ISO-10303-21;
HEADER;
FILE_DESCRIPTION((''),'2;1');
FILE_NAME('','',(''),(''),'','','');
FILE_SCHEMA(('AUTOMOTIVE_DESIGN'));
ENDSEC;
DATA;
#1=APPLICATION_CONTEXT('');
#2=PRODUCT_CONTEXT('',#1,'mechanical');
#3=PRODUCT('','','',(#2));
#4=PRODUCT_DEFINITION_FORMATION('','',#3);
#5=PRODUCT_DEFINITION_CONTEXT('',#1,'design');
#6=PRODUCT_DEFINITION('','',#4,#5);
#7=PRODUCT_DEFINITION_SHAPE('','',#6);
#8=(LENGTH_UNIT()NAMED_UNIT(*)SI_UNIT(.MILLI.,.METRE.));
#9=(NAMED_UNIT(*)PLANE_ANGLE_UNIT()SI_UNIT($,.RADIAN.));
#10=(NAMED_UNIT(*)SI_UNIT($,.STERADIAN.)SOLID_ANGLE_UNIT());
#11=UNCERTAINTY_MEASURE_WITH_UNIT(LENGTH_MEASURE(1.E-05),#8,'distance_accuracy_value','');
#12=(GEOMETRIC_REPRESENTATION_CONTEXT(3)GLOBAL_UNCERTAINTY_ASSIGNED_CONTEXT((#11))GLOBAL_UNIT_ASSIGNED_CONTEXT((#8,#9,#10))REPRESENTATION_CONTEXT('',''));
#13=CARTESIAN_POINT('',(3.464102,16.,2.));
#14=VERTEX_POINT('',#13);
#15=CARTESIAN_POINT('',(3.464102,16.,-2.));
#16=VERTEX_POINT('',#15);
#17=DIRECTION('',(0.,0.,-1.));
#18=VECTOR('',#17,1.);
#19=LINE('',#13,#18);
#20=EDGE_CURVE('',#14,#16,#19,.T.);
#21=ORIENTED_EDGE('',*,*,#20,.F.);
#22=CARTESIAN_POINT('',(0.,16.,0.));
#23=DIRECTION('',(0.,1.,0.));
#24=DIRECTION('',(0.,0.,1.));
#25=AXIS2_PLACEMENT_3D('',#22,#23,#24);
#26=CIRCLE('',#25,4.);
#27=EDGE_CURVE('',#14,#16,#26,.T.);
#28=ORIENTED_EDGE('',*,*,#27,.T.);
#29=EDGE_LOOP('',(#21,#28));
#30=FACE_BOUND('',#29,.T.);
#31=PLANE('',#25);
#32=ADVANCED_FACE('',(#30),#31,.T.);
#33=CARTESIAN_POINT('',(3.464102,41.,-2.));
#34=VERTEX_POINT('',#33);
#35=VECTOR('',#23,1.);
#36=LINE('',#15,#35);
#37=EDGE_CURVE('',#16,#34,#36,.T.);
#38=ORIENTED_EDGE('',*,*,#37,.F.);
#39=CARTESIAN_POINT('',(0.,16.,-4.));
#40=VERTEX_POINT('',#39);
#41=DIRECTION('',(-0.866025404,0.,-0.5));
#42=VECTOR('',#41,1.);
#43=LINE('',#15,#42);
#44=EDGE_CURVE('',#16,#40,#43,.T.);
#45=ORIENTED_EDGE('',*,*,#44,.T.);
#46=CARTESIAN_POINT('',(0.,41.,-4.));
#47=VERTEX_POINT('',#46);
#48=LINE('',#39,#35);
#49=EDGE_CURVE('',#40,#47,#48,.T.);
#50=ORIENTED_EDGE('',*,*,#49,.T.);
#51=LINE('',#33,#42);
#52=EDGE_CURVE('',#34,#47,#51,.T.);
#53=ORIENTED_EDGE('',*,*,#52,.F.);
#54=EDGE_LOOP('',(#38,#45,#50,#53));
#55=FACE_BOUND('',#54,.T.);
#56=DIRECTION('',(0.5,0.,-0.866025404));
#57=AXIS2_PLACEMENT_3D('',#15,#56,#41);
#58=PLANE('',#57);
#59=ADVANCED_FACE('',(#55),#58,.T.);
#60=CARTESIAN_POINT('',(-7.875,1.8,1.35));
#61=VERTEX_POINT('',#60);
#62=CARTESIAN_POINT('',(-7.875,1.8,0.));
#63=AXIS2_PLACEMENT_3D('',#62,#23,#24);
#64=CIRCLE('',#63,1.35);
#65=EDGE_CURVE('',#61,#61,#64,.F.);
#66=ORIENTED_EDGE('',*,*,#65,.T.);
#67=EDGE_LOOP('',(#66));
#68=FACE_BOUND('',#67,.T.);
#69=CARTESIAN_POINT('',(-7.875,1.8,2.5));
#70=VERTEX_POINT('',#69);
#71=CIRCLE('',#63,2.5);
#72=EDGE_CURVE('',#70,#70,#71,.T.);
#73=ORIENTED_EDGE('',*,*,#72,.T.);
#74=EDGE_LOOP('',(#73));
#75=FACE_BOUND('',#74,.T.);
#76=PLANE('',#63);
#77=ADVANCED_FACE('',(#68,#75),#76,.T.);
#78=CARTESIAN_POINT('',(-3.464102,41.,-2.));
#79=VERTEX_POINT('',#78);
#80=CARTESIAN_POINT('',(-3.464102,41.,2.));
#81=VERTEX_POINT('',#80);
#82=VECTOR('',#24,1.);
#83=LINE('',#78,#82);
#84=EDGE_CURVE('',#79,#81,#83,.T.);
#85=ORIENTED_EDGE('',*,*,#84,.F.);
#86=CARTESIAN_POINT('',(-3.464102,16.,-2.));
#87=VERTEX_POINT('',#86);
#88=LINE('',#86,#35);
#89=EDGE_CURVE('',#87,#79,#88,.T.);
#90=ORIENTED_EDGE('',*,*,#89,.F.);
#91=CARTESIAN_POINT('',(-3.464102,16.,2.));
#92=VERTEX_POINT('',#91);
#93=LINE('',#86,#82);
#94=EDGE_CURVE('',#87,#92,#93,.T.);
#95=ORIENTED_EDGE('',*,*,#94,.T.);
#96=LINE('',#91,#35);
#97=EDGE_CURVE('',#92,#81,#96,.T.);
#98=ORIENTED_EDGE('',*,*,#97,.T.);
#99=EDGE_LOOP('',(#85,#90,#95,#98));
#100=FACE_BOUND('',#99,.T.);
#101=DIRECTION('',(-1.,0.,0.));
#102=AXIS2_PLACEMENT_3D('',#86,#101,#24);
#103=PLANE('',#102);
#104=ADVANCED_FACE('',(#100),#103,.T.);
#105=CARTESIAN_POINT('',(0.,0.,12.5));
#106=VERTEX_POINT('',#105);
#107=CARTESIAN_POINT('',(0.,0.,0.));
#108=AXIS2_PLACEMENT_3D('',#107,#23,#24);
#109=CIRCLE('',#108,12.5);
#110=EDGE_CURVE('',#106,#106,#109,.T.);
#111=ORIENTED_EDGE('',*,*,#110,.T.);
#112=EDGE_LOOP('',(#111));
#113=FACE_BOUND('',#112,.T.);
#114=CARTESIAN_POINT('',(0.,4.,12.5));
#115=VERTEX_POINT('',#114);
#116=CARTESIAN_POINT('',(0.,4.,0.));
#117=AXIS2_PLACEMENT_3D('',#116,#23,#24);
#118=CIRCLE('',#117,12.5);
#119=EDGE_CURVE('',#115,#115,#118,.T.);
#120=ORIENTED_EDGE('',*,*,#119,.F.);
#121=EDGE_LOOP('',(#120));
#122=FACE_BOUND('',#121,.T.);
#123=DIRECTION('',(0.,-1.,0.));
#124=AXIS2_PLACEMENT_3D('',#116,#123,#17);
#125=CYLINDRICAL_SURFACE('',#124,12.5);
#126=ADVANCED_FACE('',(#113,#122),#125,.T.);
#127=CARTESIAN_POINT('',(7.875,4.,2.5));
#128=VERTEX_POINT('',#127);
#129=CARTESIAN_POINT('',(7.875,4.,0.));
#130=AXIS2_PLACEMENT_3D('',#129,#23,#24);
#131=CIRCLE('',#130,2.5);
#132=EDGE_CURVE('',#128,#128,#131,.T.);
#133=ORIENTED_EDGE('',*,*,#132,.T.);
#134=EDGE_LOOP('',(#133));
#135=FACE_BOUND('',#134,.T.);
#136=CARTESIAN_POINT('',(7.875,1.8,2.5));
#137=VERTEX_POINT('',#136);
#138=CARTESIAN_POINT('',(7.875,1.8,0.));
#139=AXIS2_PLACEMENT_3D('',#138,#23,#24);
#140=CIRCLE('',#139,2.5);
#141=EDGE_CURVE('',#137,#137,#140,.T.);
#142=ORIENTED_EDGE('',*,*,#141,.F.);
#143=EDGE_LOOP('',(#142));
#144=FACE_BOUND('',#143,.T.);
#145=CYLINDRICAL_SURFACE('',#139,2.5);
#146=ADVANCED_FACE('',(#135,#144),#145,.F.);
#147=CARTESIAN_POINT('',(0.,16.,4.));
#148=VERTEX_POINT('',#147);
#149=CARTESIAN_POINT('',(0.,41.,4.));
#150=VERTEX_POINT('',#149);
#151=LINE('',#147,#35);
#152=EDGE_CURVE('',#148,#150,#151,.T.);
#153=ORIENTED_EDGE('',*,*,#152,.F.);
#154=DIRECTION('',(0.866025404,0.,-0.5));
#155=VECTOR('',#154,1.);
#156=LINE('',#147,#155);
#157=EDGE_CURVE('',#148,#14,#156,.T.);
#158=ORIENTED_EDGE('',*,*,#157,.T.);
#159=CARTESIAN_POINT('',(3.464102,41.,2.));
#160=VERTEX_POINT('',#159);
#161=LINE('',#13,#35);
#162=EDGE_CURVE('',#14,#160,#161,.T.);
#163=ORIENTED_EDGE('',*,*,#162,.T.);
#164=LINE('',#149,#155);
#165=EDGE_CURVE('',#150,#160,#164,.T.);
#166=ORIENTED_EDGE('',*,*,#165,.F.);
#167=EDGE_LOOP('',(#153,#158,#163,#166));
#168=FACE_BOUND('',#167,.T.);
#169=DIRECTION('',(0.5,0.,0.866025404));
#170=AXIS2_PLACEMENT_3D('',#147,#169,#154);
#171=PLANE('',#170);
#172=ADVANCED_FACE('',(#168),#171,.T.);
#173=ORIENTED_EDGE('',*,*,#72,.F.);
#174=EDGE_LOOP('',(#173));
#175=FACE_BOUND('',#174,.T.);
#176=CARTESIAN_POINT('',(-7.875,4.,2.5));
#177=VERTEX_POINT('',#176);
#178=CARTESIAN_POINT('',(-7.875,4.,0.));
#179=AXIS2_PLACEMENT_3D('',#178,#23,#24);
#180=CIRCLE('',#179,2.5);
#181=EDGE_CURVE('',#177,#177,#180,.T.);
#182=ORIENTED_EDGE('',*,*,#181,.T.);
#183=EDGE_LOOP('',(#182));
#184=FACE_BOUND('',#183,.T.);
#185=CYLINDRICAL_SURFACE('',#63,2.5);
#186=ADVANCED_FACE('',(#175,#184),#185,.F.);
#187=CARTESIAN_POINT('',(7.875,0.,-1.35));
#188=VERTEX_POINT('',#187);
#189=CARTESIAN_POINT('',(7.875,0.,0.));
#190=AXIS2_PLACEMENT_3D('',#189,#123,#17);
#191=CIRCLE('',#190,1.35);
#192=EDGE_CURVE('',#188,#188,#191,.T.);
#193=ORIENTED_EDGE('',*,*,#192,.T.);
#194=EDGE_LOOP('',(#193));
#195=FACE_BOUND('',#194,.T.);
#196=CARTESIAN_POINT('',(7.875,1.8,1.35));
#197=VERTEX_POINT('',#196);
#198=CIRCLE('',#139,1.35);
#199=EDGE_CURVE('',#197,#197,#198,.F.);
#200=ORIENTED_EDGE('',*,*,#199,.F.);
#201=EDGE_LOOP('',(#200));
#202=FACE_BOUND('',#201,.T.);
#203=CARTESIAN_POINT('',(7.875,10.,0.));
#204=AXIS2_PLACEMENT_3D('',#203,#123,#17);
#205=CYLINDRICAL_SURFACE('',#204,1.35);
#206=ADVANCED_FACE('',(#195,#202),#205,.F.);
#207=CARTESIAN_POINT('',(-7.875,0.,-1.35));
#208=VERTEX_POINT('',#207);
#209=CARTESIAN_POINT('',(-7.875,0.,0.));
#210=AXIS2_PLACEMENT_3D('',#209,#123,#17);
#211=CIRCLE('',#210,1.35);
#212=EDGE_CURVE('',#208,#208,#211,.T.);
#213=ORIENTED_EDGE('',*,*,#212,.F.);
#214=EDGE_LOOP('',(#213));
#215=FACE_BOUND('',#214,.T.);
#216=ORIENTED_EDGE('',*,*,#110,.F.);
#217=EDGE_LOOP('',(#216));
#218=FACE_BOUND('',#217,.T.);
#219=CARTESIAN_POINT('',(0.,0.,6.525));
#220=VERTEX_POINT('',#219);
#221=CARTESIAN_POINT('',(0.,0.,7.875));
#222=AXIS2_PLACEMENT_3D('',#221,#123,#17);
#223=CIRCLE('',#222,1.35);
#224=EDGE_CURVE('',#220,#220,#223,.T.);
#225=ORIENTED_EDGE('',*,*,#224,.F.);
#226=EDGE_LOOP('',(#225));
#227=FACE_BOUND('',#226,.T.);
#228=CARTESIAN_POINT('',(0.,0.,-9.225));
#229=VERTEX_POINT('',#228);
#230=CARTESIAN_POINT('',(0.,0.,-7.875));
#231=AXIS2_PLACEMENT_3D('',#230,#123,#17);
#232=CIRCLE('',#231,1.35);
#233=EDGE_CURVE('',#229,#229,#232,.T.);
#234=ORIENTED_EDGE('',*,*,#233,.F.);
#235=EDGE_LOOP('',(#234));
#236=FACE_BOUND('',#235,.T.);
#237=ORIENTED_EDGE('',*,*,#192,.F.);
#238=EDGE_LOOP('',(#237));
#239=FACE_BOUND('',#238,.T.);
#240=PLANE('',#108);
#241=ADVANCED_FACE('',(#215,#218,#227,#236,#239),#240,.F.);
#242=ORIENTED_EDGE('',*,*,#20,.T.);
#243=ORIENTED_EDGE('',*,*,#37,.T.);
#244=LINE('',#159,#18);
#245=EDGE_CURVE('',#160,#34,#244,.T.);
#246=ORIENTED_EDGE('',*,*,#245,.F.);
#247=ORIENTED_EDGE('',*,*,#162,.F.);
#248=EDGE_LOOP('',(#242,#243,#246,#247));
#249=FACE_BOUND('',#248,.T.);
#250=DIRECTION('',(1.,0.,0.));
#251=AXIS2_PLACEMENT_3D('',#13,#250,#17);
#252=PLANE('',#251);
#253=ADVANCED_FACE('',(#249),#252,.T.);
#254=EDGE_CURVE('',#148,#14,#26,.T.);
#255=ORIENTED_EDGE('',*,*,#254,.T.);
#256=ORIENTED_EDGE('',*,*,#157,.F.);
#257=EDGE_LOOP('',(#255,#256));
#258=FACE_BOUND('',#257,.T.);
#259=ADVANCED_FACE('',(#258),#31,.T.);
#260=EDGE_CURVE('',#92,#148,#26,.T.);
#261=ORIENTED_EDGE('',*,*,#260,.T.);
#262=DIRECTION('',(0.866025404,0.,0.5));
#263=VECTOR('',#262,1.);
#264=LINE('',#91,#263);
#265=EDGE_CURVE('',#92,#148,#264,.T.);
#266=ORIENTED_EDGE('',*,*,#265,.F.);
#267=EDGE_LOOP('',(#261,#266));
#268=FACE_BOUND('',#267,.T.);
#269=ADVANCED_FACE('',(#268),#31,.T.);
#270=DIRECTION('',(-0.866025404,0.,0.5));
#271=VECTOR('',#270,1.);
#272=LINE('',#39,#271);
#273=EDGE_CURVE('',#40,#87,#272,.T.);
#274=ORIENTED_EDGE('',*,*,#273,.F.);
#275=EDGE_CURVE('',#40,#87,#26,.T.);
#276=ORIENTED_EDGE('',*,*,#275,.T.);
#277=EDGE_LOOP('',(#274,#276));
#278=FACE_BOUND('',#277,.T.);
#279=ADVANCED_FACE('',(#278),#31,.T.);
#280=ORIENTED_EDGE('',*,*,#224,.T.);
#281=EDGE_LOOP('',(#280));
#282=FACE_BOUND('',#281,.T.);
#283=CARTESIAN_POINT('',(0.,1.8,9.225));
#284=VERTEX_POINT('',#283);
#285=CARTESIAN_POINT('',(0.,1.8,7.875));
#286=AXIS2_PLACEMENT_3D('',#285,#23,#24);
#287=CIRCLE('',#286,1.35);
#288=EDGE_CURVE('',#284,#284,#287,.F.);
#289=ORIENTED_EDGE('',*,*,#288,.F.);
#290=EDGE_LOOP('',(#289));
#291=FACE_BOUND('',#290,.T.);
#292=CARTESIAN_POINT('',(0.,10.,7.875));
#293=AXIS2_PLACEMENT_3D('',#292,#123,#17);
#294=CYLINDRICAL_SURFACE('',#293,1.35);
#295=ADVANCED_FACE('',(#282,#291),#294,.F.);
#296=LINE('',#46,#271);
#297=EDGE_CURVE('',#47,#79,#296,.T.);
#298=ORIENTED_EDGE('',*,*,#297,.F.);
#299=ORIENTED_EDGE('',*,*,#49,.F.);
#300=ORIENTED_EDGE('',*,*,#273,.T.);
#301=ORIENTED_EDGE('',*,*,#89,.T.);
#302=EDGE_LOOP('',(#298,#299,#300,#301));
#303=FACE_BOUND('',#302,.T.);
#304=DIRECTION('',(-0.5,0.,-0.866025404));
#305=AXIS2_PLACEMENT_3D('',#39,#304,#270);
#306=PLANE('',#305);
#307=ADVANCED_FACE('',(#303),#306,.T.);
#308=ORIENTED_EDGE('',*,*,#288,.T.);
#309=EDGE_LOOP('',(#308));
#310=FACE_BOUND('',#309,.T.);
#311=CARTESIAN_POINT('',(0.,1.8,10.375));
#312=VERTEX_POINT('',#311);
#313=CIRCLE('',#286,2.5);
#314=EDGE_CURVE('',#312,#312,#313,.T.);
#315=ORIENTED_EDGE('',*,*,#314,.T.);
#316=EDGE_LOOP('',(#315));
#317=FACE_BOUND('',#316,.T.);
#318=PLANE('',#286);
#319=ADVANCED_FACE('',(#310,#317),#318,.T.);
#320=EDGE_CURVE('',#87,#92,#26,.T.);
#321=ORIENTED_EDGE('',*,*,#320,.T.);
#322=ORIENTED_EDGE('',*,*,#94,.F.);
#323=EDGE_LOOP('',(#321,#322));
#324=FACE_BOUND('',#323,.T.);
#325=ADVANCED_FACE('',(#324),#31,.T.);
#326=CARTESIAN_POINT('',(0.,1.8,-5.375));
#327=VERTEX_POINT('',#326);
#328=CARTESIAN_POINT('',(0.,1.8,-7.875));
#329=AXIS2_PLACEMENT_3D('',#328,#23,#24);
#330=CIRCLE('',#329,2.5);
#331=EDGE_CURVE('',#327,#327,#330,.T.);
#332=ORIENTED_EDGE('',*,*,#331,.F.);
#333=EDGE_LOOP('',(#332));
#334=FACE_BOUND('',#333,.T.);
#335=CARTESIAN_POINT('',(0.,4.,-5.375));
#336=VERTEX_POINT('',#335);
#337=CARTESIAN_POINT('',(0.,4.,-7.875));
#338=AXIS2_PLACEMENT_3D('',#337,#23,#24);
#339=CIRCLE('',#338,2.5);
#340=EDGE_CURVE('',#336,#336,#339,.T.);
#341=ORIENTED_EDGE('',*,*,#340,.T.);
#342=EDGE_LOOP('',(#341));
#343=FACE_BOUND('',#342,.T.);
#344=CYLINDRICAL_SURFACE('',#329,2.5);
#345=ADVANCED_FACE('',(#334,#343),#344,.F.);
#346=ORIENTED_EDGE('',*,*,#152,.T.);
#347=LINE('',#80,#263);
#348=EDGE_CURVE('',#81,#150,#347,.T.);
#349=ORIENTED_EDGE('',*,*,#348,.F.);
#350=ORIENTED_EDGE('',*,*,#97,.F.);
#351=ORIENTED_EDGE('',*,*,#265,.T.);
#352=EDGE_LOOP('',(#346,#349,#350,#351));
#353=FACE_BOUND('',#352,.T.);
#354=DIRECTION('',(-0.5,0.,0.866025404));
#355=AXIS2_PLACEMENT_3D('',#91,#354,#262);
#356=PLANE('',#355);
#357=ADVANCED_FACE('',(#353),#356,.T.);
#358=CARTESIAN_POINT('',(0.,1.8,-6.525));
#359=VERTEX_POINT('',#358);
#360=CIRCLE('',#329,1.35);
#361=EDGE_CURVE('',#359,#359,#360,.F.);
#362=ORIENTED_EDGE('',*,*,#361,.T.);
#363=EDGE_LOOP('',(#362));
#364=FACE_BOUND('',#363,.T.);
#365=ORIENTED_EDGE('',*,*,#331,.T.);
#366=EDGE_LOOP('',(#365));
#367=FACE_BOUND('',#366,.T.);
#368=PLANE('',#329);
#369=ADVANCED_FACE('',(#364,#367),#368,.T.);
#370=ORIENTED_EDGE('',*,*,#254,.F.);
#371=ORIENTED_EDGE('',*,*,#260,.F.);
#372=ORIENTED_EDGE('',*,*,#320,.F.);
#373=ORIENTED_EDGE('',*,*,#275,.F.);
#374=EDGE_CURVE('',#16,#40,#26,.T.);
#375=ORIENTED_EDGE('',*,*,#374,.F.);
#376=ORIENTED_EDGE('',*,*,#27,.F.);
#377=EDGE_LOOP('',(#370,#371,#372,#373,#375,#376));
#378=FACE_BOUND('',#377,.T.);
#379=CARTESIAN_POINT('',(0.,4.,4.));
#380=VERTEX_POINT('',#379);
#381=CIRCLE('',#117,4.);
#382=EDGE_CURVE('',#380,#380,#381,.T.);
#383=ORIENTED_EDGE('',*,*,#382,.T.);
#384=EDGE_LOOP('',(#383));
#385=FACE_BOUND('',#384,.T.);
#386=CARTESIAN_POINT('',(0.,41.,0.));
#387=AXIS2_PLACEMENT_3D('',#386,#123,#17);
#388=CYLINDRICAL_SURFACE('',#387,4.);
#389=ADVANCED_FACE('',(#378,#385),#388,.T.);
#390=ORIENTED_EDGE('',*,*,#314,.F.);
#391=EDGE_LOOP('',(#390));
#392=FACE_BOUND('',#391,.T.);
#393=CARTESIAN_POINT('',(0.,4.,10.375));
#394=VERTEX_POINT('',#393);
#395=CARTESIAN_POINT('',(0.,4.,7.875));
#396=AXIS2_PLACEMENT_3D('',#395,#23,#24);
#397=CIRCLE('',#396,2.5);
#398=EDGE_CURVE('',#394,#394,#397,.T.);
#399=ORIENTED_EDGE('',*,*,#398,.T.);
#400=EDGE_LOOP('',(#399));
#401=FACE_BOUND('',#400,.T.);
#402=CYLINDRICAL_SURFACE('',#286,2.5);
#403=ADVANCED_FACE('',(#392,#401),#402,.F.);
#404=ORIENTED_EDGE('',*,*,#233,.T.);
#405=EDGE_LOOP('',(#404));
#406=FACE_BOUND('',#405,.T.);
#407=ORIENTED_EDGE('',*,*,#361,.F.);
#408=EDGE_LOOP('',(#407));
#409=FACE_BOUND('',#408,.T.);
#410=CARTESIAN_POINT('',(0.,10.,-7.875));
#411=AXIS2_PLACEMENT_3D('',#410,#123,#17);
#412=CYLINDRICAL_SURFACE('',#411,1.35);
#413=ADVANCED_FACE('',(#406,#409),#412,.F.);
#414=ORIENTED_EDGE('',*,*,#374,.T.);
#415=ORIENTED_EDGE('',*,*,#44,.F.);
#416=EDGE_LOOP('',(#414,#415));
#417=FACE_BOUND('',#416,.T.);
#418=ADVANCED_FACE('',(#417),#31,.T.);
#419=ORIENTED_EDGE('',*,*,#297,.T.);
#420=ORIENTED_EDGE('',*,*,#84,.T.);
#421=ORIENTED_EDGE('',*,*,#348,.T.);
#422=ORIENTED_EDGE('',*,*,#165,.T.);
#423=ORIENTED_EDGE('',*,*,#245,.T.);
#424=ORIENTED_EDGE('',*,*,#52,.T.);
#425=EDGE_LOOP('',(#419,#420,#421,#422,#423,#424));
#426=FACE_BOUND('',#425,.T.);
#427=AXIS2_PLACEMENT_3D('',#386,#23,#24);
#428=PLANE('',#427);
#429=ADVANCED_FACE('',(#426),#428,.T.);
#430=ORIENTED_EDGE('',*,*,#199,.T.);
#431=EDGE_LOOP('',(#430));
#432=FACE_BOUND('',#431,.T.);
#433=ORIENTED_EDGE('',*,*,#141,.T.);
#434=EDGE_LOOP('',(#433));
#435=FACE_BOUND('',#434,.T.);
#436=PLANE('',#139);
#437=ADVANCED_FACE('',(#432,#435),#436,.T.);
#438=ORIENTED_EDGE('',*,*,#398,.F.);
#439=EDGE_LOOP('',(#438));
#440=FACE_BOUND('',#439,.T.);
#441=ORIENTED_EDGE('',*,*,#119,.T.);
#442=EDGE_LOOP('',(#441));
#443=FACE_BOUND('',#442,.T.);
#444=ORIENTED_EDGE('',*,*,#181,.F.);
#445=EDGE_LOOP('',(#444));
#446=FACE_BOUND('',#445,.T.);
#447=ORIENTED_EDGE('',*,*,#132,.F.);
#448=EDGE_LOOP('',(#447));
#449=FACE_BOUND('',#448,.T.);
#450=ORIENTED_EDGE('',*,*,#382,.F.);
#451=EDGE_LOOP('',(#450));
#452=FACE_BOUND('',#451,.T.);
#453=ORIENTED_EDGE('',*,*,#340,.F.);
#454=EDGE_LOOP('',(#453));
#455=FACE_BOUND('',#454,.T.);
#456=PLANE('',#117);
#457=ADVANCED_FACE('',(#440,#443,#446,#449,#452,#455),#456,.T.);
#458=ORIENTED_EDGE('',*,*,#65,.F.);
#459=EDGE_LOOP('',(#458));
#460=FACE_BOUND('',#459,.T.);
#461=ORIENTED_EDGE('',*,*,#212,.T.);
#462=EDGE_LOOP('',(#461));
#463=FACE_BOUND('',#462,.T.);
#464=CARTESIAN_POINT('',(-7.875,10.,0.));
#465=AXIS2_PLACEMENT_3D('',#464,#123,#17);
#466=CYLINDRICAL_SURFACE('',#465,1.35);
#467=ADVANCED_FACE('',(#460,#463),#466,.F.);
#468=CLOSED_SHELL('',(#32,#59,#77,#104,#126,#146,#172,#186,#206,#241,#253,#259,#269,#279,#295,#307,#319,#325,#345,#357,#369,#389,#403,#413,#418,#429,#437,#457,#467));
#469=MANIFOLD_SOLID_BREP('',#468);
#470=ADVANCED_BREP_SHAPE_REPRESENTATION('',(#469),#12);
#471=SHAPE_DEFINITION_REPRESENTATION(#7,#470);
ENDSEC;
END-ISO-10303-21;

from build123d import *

# Parameters (mm, degrees)
CROQUIS3_R              = 12.5
SALIENTE_EXTRUIR1_DEPTH = 4
CROQUIS4_R              = 4
SALIENTE_EXTRUIR2_DEPTH = 37
CROQUIS12_OUTSIDE_W     = 37.828
CROQUIS12_OUTSIDE_H     = 37.828
CORTAR_EXTRUIR7_DEPTH   = 25
CROQUIS13_R             = 1.35
CORTAR_EXTRUIR8_DEPTH   = 10
CROQUIS14_R             = 2.5
CORTAR_EXTRUIR9_DEPTH   = 2.2


with BuildPart() as part:
    # Croquis3 → Saliente-Extruir1 (new body)
    with BuildSketch(Plane(origin=(0, 0, 0), x_dir=(1, 0, 0), z_dir=(0, 1, 0))):
        with Locations(Location((0, 0, 0), (0, 0, 270))):
            Circle(CROQUIS3_R)
    extrude(amount=SALIENTE_EXTRUIR1_DEPTH)

    # Croquis4 → Saliente-Extruir2 (add)
    with BuildSketch(Plane(origin=(0, 4, 0), x_dir=(1, 0, 0), z_dir=(0, 1, 0))):
        with Locations(Location((0, 0, 0), (0, 0, 270))):
            Circle(CROQUIS4_R)
    extrude(amount=SALIENTE_EXTRUIR2_DEPTH)

    # Croquis12 outside → Cortar-Extruir7 (cut)
    with BuildSketch(Plane(origin=(0, 41, 0), x_dir=(1, 0, 0), z_dir=(0, 1, 0))):
        Rectangle(CROQUIS12_OUTSIDE_W, CROQUIS12_OUTSIDE_H)
        Polygon((0, 4), (-3.464101615, 2), (-3.464101615, -2), (0, -4), (3.464101615, -2), (3.464101615, 2), align=None, mode=Mode.SUBTRACT)
    extrude(amount=-CORTAR_EXTRUIR7_DEPTH, mode=Mode.SUBTRACT)

    # Croquis13 → Cortar-Extruir8 (cut)
    with BuildSketch(Plane.XZ):
        with Locations(Location((0, 7.875, 0), (0, 0, 270))):
            Circle(CROQUIS13_R)
        with Locations(Location((7.875, 0, 0), (0, 0, 270))):
            Circle(CROQUIS13_R)
        with Locations(Location((0, -7.875, 0), (0, 0, 270))):
            Circle(CROQUIS13_R)
        with Locations(Location((-7.875, 0, 0), (0, 0, 270))):
            Circle(CROQUIS13_R)
    extrude(amount=-CORTAR_EXTRUIR8_DEPTH, mode=Mode.SUBTRACT)

    # Croquis14 → Cortar-Extruir9 (cut)
    with BuildSketch(Plane(origin=(0, 4, 0), x_dir=(1, 0, 0), z_dir=(0, 1, 0))):
        with Locations(Location((0, 7.875, 0), (0, 0, 270))):
            Circle(CROQUIS14_R)
        with Locations(Location((7.875, 0, 0), (0, 0, 270))):
            Circle(CROQUIS14_R)
        with Locations(Location((0, -7.875, 0), (0, 0, 270))):
            Circle(CROQUIS14_R)
        with Locations(Location((-7.875, 0, 0), (0, 0, 270))):
            Circle(CROQUIS14_R)
    extrude(amount=-CORTAR_EXTRUIR9_DEPTH, mode=Mode.SUBTRACT)


solid = part.part
